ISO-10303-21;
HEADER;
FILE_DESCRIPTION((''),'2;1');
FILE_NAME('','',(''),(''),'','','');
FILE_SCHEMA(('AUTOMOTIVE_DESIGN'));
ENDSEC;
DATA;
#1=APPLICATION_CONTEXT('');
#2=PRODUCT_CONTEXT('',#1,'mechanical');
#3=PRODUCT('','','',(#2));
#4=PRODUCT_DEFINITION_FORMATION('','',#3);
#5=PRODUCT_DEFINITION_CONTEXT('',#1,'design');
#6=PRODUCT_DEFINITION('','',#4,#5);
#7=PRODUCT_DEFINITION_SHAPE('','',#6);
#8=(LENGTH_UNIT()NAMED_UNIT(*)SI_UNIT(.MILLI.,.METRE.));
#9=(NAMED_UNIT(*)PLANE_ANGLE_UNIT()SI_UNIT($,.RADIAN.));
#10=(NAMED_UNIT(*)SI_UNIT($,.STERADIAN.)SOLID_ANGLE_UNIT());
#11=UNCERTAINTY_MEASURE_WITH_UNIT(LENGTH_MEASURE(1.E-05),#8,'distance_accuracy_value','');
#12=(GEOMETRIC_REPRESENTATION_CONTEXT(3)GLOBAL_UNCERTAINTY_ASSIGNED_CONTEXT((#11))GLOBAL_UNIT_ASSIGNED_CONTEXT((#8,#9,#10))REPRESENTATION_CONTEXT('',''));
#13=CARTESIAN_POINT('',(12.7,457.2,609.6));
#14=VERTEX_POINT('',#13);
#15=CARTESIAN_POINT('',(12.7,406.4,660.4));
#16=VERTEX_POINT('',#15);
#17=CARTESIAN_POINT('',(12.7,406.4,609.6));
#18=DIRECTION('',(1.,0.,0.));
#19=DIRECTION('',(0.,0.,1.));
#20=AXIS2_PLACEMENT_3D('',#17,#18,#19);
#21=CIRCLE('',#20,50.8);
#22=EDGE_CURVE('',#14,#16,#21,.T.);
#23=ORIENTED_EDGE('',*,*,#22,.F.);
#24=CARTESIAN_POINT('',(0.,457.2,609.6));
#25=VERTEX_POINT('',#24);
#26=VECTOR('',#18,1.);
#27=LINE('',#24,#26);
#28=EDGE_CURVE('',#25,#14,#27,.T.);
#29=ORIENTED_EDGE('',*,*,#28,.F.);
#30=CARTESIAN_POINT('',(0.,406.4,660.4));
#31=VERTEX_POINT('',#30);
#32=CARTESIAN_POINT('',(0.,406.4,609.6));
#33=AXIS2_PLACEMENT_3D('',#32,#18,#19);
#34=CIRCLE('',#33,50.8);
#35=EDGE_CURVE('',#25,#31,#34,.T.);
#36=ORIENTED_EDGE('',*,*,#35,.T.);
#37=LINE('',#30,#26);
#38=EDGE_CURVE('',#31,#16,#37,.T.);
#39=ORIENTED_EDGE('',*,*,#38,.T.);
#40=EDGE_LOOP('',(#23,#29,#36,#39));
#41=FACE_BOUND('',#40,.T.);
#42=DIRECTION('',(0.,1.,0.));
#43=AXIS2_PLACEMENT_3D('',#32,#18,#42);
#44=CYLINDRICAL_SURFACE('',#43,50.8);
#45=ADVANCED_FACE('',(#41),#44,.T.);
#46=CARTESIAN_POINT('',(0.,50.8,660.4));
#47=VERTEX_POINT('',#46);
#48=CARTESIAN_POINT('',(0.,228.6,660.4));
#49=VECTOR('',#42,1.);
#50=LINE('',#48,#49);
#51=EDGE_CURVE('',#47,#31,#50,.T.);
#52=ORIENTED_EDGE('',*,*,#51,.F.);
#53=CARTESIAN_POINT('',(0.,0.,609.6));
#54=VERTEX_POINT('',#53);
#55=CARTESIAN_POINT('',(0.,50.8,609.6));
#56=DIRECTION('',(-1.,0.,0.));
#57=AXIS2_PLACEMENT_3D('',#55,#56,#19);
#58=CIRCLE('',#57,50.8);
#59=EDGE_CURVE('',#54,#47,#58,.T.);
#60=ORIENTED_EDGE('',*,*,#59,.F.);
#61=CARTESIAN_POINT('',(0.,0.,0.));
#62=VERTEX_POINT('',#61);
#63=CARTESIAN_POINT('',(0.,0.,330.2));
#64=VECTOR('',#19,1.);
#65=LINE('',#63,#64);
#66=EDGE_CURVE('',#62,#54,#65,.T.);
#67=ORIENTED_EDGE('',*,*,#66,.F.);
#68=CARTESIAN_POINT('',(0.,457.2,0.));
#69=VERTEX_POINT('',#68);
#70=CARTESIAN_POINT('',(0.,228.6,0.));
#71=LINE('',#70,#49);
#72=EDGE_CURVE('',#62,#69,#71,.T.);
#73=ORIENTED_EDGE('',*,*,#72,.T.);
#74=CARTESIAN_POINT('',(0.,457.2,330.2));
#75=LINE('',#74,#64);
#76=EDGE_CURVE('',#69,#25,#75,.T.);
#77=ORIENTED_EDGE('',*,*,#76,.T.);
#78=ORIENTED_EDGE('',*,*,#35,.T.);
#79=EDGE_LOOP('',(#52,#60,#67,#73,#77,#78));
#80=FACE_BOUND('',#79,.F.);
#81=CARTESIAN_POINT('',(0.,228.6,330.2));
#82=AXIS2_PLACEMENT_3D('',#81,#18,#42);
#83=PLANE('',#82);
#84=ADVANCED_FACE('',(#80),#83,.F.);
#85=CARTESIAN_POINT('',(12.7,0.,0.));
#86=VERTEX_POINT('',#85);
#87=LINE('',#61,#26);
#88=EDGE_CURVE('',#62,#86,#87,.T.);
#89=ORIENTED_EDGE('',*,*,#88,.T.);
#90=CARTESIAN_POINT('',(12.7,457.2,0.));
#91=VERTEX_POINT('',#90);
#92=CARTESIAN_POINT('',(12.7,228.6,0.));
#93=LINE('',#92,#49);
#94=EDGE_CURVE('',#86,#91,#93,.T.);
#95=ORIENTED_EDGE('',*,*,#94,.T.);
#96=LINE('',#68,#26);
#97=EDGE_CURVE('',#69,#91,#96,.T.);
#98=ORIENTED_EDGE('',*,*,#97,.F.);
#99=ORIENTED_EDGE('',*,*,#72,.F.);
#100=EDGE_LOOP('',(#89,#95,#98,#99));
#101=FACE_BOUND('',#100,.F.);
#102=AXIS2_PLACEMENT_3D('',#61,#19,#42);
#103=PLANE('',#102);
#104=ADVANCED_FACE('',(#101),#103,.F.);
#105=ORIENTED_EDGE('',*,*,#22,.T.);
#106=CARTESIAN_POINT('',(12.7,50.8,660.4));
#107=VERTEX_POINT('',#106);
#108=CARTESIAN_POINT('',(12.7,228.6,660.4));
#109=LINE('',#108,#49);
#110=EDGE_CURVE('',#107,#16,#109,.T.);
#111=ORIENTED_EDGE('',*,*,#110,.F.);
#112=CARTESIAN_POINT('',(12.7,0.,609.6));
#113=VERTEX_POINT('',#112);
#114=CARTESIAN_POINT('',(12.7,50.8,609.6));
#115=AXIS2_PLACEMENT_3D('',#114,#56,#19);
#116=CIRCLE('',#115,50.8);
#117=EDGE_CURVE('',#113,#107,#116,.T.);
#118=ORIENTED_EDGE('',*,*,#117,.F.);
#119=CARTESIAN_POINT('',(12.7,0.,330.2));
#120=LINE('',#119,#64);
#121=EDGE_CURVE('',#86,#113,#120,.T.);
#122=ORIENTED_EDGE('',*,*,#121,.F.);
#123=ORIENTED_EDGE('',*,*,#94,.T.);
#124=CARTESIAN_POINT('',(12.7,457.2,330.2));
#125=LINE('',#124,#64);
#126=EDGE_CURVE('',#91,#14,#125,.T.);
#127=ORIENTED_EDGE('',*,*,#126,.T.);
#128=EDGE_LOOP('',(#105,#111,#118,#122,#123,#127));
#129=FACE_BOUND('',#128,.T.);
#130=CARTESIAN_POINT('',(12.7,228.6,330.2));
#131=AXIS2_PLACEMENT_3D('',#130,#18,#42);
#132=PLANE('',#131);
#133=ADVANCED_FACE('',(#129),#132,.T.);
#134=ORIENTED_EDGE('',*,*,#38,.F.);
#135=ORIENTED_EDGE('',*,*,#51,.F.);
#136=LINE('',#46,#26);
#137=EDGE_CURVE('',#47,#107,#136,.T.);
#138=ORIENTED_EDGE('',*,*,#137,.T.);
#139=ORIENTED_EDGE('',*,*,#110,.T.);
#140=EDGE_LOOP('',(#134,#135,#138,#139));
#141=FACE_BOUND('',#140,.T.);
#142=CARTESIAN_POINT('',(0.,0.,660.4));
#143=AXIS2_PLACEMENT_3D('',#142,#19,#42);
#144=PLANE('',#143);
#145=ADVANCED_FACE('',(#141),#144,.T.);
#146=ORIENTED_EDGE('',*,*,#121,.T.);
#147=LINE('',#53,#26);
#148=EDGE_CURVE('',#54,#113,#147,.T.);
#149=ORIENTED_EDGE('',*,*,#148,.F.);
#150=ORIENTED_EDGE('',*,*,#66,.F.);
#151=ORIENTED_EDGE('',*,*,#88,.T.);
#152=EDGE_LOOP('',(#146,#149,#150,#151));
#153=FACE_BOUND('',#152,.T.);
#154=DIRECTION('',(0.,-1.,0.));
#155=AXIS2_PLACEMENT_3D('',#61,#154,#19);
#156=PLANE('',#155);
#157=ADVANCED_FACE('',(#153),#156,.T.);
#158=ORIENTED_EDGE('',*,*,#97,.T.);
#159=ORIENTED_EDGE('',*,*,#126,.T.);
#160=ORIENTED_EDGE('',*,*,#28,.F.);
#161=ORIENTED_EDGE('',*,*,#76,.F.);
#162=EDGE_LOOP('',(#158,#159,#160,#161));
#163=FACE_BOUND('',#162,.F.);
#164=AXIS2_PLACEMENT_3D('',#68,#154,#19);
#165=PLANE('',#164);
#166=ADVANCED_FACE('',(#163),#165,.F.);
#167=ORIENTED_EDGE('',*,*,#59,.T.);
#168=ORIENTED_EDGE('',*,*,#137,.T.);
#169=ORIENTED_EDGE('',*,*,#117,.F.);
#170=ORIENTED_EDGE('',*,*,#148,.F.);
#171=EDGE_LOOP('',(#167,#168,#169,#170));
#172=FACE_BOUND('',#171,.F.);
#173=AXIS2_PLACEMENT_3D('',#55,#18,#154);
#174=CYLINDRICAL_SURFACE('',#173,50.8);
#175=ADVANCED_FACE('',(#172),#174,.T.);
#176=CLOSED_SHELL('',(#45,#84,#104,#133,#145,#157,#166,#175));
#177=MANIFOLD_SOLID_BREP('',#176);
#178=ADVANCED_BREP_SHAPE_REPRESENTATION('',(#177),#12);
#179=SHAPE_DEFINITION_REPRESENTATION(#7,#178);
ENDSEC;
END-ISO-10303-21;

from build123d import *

# Parameters (mm, degrees)
F0_W     = 457.2
F0_H     = 660.4
F1_DEPTH = 12.7
F2_R     = 50.8


with BuildPart() as f1:
    # F0 (on Right) → F1 (new body)
    with BuildSketch(Plane.YZ):
        with Locations((228.6, 330.2)):
            Rectangle(F0_W, F0_H)
    extrude(amount=F1_DEPTH)

    # F2
    f2_edges = [f1.edges().sort_by_distance(p)[0] for p in [
        (6.35, 0, 660.4),
        (6.35, 457.2, 660.4),
    ]]
    fillet(f2_edges, radius=F2_R)


solid = f1.part
